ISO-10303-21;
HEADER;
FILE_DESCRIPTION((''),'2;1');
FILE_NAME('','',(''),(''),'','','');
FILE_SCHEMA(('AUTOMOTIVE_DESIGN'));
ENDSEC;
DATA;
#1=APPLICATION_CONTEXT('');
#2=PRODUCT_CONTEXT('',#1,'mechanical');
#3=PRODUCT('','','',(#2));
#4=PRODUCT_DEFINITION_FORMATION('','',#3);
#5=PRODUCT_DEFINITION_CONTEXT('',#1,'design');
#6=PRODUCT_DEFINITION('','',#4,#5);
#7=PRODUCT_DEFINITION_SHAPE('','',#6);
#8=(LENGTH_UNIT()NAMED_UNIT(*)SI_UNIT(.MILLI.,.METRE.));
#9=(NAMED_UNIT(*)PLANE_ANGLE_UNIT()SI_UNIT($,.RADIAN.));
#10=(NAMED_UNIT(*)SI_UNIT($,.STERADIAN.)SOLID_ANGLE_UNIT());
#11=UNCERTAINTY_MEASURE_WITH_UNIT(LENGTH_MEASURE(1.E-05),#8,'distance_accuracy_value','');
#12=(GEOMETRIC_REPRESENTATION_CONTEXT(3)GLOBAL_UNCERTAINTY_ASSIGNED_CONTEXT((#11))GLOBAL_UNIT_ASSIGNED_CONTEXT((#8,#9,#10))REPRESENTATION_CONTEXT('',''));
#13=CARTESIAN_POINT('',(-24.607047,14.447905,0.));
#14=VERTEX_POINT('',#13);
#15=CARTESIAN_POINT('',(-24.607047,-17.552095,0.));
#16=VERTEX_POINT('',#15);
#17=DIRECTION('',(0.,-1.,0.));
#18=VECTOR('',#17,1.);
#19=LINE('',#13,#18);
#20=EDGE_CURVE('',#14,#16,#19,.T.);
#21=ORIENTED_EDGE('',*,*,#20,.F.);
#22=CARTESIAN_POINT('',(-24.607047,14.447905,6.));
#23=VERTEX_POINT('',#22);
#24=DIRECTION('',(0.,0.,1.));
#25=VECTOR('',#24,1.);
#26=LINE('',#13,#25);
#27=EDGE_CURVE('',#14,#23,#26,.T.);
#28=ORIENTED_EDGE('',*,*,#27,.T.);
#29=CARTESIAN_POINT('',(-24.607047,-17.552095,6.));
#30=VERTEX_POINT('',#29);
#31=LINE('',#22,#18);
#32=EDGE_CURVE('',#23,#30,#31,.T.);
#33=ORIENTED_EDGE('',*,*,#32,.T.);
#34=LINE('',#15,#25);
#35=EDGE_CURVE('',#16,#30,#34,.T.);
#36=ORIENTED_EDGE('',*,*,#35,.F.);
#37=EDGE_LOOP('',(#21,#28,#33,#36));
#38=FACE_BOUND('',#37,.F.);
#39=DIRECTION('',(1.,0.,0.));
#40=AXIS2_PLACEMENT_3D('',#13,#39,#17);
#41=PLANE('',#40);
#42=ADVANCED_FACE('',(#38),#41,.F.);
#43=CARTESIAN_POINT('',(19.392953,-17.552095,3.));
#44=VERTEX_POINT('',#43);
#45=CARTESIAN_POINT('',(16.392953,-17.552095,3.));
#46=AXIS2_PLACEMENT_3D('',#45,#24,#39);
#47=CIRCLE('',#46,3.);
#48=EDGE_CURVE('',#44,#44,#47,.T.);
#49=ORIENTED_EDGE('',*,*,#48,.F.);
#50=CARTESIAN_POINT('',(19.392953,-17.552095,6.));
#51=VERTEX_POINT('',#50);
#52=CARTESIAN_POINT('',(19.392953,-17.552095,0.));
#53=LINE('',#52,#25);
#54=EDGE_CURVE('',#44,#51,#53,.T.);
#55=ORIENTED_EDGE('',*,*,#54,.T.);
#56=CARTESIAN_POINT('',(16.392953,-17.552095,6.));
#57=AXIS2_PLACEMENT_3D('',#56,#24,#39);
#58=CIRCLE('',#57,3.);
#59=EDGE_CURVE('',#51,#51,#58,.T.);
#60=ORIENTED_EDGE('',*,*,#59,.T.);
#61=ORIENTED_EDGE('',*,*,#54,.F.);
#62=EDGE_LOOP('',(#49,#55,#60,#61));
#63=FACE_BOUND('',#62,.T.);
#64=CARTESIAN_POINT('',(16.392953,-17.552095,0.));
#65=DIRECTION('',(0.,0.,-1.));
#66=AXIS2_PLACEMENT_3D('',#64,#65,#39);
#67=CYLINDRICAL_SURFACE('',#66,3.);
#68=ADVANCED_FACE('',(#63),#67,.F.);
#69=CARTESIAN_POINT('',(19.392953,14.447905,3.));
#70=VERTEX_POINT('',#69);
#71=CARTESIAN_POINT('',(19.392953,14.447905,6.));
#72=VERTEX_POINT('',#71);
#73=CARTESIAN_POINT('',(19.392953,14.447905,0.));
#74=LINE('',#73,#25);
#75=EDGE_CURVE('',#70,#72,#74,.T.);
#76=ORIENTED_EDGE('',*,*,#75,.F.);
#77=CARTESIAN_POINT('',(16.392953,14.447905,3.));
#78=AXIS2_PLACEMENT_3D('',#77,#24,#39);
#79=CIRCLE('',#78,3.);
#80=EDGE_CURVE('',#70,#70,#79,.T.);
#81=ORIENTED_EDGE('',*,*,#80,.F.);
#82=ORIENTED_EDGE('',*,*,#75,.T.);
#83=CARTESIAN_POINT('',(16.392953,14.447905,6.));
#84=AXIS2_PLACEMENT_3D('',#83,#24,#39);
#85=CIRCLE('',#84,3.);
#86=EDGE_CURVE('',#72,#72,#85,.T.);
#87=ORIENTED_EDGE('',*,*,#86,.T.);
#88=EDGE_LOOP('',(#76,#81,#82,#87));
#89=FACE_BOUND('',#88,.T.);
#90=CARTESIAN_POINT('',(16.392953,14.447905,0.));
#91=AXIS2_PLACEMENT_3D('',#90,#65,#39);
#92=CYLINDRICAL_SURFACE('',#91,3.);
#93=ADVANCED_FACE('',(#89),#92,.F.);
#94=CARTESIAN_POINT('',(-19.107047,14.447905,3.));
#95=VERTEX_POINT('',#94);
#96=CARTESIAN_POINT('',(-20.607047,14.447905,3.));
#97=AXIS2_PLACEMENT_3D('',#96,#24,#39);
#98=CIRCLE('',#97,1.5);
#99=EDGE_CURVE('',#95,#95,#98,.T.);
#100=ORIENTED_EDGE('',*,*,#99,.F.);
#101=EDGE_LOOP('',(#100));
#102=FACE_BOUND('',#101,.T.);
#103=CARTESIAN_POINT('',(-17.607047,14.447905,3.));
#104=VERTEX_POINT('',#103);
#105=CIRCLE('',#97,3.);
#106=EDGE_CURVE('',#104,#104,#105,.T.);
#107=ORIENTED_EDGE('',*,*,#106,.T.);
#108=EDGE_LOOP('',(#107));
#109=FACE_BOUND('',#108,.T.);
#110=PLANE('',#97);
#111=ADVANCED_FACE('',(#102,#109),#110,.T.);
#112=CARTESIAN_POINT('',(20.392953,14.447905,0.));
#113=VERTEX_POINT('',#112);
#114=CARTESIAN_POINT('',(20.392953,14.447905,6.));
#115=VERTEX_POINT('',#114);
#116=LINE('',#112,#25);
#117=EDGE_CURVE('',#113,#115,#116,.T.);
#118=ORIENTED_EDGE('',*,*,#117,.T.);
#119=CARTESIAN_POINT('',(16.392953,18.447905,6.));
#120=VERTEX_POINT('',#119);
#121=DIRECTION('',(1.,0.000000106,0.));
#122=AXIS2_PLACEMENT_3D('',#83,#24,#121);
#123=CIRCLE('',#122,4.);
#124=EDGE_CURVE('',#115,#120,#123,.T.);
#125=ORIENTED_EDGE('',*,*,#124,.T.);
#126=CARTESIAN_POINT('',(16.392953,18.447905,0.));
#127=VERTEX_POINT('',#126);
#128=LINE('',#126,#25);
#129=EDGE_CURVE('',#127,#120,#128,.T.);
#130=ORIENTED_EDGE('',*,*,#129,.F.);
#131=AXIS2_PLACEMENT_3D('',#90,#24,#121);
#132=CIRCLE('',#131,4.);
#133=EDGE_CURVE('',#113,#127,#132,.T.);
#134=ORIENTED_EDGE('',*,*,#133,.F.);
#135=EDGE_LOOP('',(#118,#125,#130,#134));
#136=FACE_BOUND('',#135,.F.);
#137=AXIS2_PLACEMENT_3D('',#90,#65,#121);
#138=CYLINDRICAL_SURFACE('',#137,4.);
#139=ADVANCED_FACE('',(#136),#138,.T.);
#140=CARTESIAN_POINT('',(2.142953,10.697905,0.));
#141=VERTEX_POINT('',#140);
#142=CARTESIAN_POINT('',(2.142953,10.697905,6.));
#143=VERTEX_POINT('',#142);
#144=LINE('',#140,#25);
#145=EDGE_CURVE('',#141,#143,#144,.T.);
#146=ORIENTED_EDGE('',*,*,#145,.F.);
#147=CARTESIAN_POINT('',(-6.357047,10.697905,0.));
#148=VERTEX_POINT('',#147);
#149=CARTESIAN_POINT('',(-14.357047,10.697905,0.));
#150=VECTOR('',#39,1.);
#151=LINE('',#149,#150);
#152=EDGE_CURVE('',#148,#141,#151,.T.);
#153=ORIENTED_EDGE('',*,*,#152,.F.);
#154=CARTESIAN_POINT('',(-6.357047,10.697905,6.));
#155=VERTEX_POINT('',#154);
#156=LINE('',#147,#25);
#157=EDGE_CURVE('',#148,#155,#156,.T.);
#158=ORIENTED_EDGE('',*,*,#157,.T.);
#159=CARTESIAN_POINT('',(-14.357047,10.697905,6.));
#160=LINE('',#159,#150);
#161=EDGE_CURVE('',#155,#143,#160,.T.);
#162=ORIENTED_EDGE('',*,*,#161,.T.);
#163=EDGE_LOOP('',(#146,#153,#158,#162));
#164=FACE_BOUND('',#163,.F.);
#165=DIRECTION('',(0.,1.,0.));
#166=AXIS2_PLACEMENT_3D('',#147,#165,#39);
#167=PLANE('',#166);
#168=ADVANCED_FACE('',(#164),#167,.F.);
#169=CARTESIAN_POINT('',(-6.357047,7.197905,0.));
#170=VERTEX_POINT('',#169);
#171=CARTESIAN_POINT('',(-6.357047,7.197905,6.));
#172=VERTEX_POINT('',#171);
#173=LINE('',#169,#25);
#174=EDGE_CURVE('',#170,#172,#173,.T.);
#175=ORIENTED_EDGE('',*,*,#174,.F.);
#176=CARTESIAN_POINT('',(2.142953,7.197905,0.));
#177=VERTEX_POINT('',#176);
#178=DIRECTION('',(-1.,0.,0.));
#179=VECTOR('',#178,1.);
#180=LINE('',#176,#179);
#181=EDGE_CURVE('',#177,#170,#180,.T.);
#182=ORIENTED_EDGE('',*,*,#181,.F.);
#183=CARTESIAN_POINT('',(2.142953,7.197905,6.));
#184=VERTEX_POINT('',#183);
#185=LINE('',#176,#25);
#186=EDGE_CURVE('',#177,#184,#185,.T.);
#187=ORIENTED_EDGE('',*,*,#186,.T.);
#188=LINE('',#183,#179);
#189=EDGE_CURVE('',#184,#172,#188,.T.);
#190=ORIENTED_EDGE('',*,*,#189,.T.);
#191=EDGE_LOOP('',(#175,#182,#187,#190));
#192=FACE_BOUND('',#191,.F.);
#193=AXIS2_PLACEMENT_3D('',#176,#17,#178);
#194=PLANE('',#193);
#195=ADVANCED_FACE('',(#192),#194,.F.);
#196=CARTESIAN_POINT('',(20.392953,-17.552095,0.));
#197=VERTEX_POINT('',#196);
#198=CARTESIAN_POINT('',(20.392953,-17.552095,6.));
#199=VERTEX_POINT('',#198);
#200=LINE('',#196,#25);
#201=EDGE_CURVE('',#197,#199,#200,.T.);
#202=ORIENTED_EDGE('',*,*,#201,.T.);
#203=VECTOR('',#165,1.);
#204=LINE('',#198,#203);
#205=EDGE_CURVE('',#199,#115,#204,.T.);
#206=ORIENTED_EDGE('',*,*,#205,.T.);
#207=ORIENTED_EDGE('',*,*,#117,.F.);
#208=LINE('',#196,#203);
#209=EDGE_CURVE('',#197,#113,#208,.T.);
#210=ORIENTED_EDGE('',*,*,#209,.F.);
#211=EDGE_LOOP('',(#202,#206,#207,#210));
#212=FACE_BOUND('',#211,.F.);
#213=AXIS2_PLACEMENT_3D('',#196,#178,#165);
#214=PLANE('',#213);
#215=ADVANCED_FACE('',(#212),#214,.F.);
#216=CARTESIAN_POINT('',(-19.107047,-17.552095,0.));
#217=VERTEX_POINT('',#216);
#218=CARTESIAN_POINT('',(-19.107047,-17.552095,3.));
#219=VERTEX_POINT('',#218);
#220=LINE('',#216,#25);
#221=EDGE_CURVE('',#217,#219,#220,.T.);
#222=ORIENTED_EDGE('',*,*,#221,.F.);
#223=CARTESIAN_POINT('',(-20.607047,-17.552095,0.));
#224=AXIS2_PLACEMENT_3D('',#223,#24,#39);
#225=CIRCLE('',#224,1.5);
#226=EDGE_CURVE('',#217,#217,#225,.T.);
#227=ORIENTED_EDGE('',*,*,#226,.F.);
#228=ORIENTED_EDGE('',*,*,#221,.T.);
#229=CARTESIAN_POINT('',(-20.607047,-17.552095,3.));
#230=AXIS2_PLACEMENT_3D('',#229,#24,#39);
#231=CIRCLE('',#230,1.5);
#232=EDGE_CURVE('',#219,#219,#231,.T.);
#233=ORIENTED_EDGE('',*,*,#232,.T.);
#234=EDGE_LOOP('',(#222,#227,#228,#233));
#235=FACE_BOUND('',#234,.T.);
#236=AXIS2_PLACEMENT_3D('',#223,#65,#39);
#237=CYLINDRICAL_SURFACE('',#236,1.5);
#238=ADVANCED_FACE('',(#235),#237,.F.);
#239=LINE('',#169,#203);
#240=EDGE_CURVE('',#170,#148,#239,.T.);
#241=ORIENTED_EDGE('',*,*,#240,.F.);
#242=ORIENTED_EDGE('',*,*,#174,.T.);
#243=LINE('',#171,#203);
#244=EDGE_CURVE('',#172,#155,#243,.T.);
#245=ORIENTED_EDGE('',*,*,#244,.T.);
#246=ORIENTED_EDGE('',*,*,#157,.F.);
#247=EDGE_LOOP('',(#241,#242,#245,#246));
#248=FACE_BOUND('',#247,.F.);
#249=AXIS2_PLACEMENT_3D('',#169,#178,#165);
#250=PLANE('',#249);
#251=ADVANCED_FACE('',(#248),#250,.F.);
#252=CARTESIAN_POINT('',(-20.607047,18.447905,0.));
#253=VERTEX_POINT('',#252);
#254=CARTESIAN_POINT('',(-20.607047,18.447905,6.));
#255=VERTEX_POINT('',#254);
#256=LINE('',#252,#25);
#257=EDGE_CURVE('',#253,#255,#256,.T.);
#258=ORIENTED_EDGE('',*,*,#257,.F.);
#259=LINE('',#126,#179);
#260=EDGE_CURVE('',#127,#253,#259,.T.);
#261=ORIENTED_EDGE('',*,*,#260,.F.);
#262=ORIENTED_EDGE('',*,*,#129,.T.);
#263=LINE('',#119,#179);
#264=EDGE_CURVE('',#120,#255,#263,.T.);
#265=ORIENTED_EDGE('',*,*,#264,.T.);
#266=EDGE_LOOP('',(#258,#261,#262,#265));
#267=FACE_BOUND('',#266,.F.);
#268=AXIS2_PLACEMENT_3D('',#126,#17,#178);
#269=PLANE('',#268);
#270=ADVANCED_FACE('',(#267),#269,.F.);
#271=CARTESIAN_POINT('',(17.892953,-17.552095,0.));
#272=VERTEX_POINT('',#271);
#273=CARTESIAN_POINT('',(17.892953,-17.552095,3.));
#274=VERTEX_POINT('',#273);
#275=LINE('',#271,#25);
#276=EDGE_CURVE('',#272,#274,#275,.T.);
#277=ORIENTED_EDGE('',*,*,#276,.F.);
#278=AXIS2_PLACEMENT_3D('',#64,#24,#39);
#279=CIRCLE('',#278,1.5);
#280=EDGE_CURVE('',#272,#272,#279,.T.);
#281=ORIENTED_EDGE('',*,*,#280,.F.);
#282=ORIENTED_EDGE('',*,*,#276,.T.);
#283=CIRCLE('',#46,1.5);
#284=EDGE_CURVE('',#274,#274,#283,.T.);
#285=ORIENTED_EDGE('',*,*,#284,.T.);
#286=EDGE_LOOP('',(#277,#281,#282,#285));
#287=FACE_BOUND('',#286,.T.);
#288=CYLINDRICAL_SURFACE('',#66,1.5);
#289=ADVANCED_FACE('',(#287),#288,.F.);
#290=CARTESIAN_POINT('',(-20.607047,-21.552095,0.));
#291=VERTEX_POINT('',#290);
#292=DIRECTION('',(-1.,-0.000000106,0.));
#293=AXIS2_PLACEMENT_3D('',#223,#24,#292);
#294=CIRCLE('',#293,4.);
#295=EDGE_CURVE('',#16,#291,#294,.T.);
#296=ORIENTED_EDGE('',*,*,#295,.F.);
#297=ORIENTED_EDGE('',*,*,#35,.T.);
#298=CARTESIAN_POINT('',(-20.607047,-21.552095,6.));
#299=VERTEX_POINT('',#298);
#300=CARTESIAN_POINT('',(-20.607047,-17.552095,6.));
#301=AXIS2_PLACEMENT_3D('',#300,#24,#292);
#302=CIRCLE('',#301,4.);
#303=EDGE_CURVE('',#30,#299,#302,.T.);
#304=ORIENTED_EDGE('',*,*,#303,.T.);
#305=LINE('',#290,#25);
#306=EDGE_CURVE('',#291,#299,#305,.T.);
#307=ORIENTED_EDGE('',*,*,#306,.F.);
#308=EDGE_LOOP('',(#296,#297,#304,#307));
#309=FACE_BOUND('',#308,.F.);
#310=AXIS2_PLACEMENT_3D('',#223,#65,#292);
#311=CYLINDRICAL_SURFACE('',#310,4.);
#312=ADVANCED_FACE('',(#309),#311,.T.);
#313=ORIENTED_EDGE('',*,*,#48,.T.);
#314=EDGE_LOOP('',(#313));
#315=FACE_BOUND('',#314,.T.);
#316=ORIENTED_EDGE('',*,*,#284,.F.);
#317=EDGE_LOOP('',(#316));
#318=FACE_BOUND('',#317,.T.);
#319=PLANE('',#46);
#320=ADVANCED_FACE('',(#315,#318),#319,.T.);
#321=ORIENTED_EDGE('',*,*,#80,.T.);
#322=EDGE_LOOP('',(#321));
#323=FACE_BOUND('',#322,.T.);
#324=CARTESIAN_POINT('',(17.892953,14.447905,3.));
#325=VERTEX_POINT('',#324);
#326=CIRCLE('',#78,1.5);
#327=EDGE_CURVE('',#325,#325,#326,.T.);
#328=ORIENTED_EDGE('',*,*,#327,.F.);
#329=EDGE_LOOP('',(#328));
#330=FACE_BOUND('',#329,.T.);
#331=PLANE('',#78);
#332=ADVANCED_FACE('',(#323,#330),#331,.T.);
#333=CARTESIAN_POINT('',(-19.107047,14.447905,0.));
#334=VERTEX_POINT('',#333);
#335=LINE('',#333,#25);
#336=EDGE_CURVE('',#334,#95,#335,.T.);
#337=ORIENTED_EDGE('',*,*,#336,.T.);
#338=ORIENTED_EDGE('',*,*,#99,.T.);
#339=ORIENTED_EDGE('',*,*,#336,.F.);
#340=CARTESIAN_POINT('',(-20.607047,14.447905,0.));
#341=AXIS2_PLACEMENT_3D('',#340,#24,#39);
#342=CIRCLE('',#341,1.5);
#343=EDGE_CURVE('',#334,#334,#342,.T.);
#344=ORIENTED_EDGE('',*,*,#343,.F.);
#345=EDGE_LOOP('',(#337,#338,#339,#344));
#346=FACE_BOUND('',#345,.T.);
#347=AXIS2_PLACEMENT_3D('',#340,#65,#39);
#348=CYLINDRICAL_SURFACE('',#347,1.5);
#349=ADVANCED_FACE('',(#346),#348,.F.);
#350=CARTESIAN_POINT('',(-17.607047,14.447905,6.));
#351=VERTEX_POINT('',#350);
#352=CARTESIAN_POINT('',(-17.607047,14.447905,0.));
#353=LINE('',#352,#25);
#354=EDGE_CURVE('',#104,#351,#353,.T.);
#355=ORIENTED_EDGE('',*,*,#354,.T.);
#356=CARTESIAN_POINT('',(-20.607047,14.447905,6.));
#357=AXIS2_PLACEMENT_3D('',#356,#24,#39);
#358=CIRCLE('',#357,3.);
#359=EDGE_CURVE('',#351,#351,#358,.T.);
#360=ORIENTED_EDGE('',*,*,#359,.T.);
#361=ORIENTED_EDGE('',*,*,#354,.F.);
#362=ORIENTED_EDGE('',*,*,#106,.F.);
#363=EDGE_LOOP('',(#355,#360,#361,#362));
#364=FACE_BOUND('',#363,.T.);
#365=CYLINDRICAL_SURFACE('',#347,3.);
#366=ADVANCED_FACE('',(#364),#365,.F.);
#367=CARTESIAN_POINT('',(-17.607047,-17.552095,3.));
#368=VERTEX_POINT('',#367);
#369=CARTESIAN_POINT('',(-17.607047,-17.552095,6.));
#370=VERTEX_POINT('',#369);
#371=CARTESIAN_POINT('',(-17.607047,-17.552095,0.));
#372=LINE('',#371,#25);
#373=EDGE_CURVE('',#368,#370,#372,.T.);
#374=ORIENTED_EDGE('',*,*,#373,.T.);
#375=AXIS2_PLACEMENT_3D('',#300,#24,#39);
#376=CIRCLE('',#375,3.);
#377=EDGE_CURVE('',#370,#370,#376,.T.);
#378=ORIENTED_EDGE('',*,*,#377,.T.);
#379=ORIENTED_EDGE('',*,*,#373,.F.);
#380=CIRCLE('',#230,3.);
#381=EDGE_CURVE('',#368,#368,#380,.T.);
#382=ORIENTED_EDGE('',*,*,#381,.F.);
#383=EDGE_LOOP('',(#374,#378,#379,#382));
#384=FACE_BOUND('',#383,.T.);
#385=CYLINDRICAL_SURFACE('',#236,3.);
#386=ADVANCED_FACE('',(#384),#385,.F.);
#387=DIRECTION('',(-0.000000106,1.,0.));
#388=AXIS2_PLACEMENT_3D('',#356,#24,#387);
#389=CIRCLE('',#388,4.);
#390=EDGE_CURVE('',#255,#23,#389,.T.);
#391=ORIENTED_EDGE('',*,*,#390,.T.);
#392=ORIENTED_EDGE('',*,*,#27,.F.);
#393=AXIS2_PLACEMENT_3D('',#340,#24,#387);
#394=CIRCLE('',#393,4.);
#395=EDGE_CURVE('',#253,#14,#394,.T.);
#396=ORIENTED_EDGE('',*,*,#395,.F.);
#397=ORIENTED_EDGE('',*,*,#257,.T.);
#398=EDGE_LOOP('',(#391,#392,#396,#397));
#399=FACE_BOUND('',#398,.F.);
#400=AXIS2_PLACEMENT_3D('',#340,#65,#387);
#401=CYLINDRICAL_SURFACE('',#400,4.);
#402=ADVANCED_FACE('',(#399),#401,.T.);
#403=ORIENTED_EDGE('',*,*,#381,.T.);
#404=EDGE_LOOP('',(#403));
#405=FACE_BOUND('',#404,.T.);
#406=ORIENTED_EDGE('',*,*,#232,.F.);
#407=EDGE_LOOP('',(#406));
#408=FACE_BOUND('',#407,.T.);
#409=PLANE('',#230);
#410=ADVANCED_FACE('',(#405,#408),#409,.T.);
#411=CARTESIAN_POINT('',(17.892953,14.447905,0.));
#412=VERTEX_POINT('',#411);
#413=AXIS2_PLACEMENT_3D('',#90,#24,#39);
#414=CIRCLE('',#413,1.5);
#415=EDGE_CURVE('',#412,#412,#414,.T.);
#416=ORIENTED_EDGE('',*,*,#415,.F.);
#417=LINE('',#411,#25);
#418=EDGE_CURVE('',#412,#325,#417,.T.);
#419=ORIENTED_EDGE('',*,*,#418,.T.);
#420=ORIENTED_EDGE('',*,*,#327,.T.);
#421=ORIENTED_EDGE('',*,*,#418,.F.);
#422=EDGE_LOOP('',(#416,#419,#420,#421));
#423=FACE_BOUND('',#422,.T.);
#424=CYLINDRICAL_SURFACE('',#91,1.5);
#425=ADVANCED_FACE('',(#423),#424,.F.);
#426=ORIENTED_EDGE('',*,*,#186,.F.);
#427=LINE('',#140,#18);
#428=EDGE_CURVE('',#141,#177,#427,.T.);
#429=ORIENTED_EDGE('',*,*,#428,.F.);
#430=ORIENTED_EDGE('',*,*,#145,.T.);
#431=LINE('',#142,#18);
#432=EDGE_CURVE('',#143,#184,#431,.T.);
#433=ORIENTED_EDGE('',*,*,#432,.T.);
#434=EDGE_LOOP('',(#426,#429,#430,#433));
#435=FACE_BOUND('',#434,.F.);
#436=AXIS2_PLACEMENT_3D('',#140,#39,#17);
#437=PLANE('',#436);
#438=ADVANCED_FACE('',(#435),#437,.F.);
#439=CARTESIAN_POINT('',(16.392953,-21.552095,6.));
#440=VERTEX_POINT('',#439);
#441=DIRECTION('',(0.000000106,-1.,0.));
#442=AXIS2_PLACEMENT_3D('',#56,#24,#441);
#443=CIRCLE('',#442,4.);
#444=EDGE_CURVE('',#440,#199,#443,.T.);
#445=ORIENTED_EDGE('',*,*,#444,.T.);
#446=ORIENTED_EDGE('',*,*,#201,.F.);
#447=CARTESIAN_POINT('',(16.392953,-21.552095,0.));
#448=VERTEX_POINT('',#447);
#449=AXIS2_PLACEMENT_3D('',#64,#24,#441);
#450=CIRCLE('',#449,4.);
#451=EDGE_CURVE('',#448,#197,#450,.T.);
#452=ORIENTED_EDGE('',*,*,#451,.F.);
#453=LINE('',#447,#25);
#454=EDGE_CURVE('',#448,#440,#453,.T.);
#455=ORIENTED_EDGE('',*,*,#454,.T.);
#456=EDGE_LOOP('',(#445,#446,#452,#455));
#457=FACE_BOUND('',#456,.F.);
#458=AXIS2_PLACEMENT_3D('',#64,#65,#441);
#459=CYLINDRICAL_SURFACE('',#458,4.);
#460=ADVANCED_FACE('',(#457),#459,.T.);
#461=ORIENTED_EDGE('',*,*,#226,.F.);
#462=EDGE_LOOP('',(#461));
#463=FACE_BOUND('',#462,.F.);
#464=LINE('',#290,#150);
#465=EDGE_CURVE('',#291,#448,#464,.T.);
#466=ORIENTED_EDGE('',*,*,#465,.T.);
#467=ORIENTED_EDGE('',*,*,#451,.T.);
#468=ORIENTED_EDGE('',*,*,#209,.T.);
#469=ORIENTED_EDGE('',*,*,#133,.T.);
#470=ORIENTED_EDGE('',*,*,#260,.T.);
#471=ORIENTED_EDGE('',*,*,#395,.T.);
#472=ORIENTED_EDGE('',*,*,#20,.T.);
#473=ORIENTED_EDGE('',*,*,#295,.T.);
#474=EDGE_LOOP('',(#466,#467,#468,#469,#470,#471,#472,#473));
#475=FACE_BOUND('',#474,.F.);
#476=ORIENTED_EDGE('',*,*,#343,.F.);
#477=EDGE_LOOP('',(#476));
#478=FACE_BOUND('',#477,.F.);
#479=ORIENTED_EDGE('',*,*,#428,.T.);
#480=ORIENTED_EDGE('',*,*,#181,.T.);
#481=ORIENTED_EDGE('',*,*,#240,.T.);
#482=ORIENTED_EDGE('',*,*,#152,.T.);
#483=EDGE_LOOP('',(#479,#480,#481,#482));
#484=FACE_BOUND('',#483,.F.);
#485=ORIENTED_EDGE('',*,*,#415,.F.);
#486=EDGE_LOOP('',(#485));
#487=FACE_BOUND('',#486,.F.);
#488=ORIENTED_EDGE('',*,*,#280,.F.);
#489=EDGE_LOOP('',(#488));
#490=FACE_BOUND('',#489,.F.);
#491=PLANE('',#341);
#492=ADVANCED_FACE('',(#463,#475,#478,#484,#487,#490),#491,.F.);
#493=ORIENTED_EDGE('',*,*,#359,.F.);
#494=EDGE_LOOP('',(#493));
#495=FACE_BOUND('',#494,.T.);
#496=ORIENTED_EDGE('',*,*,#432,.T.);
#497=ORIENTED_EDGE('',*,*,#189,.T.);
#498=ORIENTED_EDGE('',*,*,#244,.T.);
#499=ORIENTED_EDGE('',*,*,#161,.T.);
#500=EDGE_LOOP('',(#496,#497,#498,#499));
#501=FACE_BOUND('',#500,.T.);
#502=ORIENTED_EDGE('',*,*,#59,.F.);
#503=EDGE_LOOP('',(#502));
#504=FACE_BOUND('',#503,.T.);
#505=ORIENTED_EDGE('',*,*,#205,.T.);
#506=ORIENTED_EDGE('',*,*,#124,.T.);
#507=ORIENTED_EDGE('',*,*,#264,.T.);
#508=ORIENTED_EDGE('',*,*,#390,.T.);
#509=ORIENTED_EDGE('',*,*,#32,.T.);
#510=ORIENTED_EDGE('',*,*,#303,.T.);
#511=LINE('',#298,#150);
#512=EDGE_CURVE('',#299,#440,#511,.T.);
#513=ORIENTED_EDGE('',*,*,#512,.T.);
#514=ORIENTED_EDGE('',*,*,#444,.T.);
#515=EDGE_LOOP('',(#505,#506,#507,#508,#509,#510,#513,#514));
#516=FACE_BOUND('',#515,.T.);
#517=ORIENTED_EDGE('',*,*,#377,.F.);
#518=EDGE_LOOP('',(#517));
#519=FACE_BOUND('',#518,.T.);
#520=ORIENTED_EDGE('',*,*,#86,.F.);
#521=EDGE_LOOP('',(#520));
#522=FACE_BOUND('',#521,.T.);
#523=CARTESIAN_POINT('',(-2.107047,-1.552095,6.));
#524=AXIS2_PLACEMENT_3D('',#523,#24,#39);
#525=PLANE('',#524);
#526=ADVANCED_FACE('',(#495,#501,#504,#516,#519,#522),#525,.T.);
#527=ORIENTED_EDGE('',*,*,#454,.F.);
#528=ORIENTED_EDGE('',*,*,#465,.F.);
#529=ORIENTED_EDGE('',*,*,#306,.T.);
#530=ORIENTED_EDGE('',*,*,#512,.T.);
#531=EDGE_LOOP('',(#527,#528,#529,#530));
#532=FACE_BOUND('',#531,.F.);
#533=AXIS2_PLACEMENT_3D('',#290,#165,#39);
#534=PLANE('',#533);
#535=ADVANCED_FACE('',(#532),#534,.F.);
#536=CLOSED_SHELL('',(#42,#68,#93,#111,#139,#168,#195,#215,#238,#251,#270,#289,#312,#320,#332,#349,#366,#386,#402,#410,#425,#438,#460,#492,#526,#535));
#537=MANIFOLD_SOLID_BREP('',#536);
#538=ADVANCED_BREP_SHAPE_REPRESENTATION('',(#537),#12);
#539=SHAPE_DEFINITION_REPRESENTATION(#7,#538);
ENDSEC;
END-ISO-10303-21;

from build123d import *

# Parameters (mm, degrees)
F0_R     = 3
F1_DEPTH = 6
F0_R_2   = 1.5
F2_DEPTH = 3


with BuildPart() as f1:
    # F0 (on Top) → F1 (new body)
    with BuildSketch(Plane.XY):
        with BuildLine():
            ThreePointArc((-20.607047, 18.447905), (-23.435474, 17.276332), (-24.607047, 14.447905))
            Line((-24.607047, 14.447905), (-24.607047, -17.552095))
            ThreePointArc((-24.607047, -17.552095), (-23.435474, -20.380522), (-20.607047, -21.552095))
            Line((-20.607047, -21.552095), (16.392953, -21.552095))
            ThreePointArc((16.392953, -21.552095), (19.22138, -20.380522), (20.392953, -17.552095))
            Line((20.392953, -17.552095), (20.392953, 14.447905))
            ThreePointArc((20.392953, 14.447905), (19.22138, 17.276332), (16.392953, 18.447905))
            Line((16.392953, 18.447905), (-20.607047, 18.447905))
        make_face()
        with Locations((-20.607047, -17.552095)):
            Circle(F0_R, mode=Mode.SUBTRACT)
        with Locations((16.392953, -17.552095)):
            Circle(F0_R, mode=Mode.SUBTRACT)
        Polygon((-14.357047, -13.802095), (-14.357047, 10.697905), (-6.357047, 10.697905), (2.142953, 10.697905), (10.142953, 10.697905), (10.142953, -13.802095), align=None, mode=Mode.SUBTRACT)
        with Locations((-20.607047, 14.447905)):
            Circle(F0_R, mode=Mode.SUBTRACT)
        with Locations((16.392953, 14.447905)):
            Circle(F0_R, mode=Mode.SUBTRACT)
        Polygon((-6.357047, 10.697905), (-14.357047, 10.697905), (-14.357047, -13.802095), (10.142953, -13.802095), (10.142953, 10.697905), (2.142953, 10.697905), (2.142953, 7.197905), (-6.357047, 7.197905), align=None)
    extrude(amount=F1_DEPTH)

    # F0 (on Top) → F2 (join)
    with BuildSketch(Plane.XY):
        with Locations((-20.607047, 14.447905)):
            Circle(F0_R)
        with Locations((-20.607047, 14.447905)):
            Circle(F0_R_2, mode=Mode.SUBTRACT)
        with Locations((16.392953, 14.447905)):
            Circle(F0_R)
        with Locations((16.392953, 14.447905)):
            Circle(F0_R_2, mode=Mode.SUBTRACT)
        with Locations((16.392953, -17.552095)):
            Circle(F0_R)
        with Locations((16.392953, -17.552095)):
            Circle(F0_R_2, mode=Mode.SUBTRACT)
        with Locations((-20.607047, -17.552095)):
            Circle(F0_R)
        with Locations((-20.607047, -17.552095)):
            Circle(F0_R_2, mode=Mode.SUBTRACT)
    extrude(amount=F2_DEPTH)


solid = f1.part
